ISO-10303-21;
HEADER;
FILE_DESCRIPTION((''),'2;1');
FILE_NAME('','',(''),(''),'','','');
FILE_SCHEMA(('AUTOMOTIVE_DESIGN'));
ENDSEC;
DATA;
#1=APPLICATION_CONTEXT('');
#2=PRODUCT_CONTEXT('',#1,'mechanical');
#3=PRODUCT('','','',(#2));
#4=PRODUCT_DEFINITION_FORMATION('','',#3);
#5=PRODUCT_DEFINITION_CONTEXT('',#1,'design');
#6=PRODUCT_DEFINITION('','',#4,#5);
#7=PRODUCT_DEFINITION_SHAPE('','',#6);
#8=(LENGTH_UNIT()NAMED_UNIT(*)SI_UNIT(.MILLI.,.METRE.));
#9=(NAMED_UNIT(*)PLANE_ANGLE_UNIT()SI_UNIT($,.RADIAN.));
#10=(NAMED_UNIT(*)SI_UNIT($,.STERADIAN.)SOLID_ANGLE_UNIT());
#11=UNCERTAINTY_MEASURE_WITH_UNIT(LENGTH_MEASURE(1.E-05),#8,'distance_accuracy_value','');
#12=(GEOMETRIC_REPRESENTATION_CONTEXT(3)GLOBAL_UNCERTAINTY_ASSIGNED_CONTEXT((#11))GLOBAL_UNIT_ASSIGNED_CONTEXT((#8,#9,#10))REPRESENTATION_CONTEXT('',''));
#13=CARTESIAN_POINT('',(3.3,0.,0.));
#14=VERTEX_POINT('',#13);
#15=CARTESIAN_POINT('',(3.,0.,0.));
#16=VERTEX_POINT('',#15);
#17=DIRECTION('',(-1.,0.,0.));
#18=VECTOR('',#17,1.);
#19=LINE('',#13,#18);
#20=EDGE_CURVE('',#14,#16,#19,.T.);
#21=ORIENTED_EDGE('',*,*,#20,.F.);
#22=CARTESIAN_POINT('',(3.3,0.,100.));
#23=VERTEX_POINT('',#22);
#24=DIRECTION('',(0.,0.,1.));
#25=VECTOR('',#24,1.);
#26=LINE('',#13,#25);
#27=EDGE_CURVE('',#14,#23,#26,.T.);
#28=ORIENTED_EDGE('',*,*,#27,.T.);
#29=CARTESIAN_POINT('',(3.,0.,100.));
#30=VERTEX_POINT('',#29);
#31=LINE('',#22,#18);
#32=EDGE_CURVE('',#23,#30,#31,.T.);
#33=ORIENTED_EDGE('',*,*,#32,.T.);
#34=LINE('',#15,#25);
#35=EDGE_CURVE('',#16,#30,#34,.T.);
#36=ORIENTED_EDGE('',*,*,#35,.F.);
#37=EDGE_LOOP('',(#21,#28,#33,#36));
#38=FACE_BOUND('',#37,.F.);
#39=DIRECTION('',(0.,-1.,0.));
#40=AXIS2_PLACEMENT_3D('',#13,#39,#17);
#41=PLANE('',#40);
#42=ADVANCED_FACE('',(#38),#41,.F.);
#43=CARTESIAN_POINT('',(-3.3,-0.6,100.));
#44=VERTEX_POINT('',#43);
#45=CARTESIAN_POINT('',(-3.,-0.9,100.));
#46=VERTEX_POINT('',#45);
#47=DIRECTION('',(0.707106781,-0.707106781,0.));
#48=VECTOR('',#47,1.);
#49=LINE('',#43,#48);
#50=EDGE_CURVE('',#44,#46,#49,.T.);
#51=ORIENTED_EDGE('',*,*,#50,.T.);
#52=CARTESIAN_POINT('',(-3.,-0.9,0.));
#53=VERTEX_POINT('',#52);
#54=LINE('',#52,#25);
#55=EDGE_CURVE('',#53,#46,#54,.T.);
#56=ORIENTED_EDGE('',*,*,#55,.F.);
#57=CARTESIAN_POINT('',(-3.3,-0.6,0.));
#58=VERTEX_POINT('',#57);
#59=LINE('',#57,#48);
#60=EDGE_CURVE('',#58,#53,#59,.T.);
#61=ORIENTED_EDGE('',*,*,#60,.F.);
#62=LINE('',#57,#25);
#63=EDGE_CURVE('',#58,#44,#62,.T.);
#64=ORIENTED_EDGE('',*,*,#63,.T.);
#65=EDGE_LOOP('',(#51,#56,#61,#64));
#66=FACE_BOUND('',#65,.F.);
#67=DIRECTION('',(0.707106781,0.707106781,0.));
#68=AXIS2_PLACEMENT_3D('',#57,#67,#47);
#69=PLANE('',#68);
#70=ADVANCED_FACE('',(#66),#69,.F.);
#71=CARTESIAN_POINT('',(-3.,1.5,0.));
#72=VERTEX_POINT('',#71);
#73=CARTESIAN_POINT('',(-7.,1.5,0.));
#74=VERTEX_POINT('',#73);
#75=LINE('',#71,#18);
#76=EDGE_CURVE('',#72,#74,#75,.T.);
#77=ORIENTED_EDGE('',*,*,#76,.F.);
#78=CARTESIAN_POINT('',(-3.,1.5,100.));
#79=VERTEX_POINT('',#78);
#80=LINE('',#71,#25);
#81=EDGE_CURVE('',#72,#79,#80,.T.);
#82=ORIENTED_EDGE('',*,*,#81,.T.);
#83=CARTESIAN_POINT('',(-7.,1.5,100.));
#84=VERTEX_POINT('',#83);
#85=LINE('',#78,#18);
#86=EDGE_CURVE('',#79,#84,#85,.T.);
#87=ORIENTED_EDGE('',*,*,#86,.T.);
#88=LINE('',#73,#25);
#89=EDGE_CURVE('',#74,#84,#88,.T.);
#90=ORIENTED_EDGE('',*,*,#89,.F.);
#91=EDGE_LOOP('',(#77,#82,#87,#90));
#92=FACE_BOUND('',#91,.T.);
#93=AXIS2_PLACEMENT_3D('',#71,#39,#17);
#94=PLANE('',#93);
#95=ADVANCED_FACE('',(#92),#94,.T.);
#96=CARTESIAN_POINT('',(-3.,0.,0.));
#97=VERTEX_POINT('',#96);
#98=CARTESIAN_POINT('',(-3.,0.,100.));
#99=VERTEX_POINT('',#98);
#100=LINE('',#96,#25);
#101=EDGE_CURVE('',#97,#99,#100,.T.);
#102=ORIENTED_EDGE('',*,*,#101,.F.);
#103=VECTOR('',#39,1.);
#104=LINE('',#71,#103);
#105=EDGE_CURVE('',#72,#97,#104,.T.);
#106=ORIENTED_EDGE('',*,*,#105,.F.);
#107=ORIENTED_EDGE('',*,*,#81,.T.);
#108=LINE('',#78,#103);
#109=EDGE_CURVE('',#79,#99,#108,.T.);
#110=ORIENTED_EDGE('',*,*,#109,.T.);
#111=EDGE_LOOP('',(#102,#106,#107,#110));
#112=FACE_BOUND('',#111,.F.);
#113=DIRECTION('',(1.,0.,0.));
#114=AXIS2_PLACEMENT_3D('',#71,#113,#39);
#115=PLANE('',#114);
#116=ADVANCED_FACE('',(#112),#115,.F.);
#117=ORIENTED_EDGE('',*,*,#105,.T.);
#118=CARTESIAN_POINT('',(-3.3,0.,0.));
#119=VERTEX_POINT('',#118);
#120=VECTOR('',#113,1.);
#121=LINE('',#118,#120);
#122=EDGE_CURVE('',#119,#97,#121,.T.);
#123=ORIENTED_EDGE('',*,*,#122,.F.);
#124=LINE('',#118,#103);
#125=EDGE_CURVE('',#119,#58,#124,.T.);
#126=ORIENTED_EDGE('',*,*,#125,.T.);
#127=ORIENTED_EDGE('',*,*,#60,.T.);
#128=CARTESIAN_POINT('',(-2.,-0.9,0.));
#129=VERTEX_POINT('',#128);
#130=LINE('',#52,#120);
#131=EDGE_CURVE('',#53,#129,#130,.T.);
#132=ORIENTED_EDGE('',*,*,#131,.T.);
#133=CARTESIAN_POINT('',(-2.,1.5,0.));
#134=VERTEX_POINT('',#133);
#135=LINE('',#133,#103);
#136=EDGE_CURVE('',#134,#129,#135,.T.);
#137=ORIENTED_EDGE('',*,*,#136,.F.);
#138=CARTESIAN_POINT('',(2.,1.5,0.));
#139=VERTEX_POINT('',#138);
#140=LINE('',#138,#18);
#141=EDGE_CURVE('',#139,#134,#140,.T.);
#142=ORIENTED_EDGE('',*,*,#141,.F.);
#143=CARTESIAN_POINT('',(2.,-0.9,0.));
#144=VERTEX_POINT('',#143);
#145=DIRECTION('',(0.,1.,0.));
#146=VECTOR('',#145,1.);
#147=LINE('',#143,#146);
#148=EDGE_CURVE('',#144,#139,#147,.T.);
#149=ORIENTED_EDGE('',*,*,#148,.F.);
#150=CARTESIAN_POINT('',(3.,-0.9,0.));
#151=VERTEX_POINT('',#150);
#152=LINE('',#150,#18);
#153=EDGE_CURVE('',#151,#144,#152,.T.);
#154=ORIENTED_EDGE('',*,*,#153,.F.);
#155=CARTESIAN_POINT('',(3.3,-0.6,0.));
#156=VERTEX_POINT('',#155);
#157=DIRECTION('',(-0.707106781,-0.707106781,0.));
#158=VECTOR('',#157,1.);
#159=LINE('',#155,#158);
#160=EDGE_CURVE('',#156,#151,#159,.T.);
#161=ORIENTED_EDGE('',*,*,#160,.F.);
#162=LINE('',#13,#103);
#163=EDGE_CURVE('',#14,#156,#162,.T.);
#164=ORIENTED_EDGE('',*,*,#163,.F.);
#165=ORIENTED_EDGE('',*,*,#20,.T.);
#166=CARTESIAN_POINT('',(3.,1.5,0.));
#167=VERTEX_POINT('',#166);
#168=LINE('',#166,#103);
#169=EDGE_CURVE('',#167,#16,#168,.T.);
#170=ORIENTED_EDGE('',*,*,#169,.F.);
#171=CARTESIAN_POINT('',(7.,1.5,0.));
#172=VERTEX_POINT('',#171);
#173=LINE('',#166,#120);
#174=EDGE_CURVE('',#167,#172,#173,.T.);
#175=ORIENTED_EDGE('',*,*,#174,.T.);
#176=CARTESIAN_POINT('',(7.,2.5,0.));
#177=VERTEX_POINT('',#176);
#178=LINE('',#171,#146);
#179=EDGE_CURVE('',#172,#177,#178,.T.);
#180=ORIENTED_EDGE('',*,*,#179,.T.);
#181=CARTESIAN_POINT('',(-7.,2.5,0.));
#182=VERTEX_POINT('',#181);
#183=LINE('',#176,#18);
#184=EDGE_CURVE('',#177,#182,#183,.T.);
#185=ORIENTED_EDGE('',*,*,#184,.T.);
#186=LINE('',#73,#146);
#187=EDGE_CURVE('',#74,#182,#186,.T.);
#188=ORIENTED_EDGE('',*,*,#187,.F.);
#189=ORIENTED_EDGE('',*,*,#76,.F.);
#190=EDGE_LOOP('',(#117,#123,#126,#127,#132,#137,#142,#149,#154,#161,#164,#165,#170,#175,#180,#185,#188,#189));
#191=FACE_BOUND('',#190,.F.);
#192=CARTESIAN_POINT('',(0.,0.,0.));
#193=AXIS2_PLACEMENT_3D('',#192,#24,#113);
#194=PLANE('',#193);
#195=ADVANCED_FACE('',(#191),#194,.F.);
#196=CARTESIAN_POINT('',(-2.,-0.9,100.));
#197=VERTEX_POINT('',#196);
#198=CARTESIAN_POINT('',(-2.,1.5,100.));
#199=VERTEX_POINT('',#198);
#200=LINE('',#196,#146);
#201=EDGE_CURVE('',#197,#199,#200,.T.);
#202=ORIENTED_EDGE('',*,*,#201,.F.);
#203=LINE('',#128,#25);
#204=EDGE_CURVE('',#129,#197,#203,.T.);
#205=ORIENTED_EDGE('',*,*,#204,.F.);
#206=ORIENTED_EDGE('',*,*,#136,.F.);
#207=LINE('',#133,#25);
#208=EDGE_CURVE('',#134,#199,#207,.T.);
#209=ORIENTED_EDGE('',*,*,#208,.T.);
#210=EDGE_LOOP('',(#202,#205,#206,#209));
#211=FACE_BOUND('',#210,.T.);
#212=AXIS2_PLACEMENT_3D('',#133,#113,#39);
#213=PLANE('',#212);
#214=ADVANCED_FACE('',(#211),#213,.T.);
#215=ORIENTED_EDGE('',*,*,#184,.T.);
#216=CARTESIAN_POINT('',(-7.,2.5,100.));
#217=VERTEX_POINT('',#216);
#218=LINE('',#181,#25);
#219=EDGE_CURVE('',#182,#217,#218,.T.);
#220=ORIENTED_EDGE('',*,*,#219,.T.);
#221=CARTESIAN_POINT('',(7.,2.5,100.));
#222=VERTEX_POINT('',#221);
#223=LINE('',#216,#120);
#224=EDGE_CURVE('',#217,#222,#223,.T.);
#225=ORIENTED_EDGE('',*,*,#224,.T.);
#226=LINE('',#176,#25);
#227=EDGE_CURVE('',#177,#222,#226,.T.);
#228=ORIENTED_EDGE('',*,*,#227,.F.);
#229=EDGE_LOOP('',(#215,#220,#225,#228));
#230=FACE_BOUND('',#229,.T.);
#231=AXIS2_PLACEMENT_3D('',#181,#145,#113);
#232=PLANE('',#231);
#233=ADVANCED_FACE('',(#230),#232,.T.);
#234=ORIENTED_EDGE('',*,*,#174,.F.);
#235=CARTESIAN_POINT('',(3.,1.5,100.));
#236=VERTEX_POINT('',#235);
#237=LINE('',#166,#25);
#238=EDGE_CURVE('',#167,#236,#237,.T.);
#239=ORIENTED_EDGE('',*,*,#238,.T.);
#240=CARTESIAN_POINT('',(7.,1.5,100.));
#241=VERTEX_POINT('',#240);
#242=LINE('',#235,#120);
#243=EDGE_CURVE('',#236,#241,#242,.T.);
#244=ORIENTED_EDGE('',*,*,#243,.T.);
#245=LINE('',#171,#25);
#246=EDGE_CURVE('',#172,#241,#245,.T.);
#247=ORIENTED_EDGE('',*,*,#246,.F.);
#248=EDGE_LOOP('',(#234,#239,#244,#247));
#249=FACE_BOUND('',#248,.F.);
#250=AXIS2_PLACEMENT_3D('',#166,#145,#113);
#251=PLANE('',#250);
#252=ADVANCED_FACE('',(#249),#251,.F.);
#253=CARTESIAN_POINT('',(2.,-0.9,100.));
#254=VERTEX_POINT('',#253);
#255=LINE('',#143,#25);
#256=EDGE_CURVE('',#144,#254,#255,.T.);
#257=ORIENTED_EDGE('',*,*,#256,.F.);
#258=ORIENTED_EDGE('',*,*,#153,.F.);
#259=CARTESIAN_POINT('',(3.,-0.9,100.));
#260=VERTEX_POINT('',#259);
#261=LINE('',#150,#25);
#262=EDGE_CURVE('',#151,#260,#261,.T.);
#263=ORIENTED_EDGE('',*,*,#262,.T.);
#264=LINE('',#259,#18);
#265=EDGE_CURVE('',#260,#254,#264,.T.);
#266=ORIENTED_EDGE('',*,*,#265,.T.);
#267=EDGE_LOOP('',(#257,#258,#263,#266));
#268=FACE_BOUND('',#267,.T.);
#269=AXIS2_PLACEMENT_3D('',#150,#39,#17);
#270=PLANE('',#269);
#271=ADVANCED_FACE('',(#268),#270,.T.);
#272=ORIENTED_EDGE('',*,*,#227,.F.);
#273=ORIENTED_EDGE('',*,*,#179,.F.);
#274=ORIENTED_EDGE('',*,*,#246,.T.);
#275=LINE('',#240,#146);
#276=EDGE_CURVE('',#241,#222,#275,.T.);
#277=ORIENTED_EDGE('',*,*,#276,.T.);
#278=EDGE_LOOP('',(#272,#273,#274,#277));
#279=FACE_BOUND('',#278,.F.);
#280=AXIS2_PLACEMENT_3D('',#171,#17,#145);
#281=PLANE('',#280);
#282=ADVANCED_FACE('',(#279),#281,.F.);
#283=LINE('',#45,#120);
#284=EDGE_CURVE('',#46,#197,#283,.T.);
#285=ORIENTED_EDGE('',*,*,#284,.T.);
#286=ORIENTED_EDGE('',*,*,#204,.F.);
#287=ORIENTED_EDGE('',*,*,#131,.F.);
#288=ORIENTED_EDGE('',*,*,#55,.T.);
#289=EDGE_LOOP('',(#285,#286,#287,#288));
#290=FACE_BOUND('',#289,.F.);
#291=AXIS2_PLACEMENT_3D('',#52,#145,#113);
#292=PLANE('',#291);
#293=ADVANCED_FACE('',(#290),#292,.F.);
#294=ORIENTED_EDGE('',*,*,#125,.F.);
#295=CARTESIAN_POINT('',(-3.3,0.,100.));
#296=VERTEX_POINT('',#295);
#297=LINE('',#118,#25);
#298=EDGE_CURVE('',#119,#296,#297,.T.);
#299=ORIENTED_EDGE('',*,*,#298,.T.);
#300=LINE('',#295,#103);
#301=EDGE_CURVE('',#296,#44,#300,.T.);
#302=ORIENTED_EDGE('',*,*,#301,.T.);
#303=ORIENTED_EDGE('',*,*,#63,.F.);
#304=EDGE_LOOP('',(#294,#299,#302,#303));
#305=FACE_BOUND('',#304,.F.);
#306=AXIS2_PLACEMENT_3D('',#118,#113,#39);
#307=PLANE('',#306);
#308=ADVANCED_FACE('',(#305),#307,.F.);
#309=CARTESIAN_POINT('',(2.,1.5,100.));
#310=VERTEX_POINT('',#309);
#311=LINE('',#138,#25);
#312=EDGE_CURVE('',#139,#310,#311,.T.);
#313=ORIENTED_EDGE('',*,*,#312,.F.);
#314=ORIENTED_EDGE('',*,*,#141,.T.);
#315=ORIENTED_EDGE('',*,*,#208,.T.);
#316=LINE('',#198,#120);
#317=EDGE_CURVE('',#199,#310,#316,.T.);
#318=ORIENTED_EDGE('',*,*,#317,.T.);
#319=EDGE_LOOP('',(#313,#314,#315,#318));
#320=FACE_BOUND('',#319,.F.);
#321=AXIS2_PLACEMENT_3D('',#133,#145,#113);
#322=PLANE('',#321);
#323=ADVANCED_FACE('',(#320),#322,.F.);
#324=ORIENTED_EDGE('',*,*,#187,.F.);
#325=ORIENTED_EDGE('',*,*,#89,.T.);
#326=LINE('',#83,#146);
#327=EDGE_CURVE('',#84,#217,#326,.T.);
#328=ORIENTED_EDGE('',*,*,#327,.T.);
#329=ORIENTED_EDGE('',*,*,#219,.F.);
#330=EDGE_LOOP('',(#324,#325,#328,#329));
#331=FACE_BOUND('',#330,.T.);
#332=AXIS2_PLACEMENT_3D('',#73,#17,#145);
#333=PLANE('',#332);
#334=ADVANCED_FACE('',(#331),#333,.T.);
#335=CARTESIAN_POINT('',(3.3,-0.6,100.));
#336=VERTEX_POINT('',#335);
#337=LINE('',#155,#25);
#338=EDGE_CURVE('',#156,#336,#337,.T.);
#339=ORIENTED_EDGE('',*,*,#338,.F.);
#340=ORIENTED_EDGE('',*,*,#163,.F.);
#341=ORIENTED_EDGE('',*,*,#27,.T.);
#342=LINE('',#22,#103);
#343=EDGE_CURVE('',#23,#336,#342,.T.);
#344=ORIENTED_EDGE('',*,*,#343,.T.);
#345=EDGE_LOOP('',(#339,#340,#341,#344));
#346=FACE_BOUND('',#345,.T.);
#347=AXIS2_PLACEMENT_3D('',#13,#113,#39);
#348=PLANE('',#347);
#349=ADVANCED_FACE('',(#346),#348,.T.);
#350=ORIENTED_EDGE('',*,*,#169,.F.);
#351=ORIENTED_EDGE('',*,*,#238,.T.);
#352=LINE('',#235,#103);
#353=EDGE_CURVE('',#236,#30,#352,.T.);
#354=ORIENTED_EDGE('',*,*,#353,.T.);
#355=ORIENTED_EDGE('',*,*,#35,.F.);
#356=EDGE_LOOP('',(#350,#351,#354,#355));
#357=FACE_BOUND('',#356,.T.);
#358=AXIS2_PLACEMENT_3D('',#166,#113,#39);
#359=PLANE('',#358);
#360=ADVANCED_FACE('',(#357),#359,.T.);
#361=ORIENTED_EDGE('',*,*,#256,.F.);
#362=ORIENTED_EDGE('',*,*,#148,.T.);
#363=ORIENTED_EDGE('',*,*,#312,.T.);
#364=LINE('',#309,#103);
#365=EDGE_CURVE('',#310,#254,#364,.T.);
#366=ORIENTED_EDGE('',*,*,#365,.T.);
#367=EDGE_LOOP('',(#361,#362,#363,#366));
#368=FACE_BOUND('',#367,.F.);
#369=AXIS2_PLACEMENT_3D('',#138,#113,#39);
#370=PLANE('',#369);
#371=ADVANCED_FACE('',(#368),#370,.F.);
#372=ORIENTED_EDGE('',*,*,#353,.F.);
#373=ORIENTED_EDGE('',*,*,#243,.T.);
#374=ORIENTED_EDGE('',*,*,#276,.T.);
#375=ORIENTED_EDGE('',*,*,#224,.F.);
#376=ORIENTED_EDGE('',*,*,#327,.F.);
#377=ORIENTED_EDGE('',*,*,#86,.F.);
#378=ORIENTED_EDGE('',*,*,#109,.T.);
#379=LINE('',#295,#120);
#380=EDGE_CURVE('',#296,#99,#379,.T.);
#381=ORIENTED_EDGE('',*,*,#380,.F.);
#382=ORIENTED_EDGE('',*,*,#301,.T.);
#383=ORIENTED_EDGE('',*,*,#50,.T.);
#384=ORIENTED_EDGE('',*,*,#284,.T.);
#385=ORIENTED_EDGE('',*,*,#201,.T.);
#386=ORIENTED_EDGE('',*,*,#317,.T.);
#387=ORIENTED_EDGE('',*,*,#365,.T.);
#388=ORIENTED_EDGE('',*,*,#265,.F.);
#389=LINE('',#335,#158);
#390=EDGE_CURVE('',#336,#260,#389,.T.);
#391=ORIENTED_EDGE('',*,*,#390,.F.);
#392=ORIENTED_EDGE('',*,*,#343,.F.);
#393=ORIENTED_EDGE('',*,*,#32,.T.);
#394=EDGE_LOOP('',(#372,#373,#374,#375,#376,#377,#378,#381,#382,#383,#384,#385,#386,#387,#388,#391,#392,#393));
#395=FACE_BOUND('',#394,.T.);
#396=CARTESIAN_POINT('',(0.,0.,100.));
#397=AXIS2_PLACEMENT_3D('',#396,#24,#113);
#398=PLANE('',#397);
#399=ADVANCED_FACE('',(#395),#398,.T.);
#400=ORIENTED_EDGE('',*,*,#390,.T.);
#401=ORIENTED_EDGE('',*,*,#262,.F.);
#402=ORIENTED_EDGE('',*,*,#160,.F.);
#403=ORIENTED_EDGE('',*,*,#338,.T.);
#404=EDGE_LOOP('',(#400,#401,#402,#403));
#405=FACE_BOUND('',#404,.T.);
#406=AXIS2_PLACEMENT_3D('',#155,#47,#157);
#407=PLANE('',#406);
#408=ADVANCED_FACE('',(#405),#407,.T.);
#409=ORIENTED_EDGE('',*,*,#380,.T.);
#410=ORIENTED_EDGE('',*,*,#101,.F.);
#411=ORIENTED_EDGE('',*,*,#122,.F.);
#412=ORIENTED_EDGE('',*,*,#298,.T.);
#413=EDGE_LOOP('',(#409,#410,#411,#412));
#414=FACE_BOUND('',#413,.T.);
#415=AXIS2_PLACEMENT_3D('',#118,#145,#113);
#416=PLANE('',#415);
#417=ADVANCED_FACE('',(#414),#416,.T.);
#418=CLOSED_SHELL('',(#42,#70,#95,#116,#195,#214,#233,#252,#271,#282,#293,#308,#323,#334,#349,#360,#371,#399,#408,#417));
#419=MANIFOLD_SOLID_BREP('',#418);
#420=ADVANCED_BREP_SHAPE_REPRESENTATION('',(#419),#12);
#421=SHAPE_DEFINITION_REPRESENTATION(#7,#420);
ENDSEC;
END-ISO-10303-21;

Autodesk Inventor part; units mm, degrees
ref_plane "YZ Plane" through (0, 0, 0) normal (1, 0, 0) x (0, 1, 0)
ref_plane "XZ Plane" through (0, 0, 0) normal (0, 1, 0) x (-1, 0, 0)
ref_plane "XY Plane" through (0, 0, 0) normal (0, 0, 1) x (1, 0, 0)
sketch "Sketch1" plane through (0, 0, 0) normal (0, 0, 1) x (1, 0, 0)
  line L0 (-7, 2.5) -> (7, 2.5)
  line L1 (-3, 1.5) -> (-3, 0)
  line L2 (-3.3, 0) -> (-3, 0)
  line L3 (-3, 1.5) -> (-7, 1.5)
  line L4 (-7, 1.5) -> (-7, 2.5)
  line L5 (0, -2.5) -> (0, 2.5)
  line L6 (-3.3, 0) -> (-3.3, -0.6)
  line L7 (-2, 1.5) -> (-2, -0.9)
  line L8 (-3, -0.9) -> (-2, -0.9)
  line L9 (3, 1.5) -> (3, 0)
  line L10 (3, 1.5) -> (7, 1.5)
  line L11 (3.3, 0) -> (3.3, -0.6)
  line L12 (2, 1.5) -> (2, -0.9)
  line L13 (3, -0.9) -> (2, -0.9)
  line L14 (-2, 1.5) -> (2, 1.5)
  line L15 (3.3, 0) -> (3, 0)
  line L16 (7, 1.5) -> (7, 2.5)
  line L17 (-3, 0) -> (3, 0)
  line L18 (-3.3, -0.6) -> (-3, -0.9)
  line L19 (3.3, -0.6) -> (3, -0.9)
  point P0 (0, 0)
  point P1 (0, 0)
  point P2 (0, 0)
  dimension "d10" = 1
  dimension "d12" = 2
  dimension "d13" = 0.9
  dimension "d15" = 3.3
  dimension "d17" = 3.3
  dimension "d18" = 7
  dimension "d19" = 1.5
  dimension "d20" = 1.5
  dimension "d22" = 2.5
extrude "Extrusion1" add sketch "Sketch1" along normal blind 100 contours L0 L5 L14 L7 L17 L1 L3 L4 | L0 L16 L10 L9 L17 L12 L14 L5 | L17 L7 L8 L18 L6 L2 | L17 L15 L11 L19 L13 L12
properties part number "Estrutura - suporteCalha"
